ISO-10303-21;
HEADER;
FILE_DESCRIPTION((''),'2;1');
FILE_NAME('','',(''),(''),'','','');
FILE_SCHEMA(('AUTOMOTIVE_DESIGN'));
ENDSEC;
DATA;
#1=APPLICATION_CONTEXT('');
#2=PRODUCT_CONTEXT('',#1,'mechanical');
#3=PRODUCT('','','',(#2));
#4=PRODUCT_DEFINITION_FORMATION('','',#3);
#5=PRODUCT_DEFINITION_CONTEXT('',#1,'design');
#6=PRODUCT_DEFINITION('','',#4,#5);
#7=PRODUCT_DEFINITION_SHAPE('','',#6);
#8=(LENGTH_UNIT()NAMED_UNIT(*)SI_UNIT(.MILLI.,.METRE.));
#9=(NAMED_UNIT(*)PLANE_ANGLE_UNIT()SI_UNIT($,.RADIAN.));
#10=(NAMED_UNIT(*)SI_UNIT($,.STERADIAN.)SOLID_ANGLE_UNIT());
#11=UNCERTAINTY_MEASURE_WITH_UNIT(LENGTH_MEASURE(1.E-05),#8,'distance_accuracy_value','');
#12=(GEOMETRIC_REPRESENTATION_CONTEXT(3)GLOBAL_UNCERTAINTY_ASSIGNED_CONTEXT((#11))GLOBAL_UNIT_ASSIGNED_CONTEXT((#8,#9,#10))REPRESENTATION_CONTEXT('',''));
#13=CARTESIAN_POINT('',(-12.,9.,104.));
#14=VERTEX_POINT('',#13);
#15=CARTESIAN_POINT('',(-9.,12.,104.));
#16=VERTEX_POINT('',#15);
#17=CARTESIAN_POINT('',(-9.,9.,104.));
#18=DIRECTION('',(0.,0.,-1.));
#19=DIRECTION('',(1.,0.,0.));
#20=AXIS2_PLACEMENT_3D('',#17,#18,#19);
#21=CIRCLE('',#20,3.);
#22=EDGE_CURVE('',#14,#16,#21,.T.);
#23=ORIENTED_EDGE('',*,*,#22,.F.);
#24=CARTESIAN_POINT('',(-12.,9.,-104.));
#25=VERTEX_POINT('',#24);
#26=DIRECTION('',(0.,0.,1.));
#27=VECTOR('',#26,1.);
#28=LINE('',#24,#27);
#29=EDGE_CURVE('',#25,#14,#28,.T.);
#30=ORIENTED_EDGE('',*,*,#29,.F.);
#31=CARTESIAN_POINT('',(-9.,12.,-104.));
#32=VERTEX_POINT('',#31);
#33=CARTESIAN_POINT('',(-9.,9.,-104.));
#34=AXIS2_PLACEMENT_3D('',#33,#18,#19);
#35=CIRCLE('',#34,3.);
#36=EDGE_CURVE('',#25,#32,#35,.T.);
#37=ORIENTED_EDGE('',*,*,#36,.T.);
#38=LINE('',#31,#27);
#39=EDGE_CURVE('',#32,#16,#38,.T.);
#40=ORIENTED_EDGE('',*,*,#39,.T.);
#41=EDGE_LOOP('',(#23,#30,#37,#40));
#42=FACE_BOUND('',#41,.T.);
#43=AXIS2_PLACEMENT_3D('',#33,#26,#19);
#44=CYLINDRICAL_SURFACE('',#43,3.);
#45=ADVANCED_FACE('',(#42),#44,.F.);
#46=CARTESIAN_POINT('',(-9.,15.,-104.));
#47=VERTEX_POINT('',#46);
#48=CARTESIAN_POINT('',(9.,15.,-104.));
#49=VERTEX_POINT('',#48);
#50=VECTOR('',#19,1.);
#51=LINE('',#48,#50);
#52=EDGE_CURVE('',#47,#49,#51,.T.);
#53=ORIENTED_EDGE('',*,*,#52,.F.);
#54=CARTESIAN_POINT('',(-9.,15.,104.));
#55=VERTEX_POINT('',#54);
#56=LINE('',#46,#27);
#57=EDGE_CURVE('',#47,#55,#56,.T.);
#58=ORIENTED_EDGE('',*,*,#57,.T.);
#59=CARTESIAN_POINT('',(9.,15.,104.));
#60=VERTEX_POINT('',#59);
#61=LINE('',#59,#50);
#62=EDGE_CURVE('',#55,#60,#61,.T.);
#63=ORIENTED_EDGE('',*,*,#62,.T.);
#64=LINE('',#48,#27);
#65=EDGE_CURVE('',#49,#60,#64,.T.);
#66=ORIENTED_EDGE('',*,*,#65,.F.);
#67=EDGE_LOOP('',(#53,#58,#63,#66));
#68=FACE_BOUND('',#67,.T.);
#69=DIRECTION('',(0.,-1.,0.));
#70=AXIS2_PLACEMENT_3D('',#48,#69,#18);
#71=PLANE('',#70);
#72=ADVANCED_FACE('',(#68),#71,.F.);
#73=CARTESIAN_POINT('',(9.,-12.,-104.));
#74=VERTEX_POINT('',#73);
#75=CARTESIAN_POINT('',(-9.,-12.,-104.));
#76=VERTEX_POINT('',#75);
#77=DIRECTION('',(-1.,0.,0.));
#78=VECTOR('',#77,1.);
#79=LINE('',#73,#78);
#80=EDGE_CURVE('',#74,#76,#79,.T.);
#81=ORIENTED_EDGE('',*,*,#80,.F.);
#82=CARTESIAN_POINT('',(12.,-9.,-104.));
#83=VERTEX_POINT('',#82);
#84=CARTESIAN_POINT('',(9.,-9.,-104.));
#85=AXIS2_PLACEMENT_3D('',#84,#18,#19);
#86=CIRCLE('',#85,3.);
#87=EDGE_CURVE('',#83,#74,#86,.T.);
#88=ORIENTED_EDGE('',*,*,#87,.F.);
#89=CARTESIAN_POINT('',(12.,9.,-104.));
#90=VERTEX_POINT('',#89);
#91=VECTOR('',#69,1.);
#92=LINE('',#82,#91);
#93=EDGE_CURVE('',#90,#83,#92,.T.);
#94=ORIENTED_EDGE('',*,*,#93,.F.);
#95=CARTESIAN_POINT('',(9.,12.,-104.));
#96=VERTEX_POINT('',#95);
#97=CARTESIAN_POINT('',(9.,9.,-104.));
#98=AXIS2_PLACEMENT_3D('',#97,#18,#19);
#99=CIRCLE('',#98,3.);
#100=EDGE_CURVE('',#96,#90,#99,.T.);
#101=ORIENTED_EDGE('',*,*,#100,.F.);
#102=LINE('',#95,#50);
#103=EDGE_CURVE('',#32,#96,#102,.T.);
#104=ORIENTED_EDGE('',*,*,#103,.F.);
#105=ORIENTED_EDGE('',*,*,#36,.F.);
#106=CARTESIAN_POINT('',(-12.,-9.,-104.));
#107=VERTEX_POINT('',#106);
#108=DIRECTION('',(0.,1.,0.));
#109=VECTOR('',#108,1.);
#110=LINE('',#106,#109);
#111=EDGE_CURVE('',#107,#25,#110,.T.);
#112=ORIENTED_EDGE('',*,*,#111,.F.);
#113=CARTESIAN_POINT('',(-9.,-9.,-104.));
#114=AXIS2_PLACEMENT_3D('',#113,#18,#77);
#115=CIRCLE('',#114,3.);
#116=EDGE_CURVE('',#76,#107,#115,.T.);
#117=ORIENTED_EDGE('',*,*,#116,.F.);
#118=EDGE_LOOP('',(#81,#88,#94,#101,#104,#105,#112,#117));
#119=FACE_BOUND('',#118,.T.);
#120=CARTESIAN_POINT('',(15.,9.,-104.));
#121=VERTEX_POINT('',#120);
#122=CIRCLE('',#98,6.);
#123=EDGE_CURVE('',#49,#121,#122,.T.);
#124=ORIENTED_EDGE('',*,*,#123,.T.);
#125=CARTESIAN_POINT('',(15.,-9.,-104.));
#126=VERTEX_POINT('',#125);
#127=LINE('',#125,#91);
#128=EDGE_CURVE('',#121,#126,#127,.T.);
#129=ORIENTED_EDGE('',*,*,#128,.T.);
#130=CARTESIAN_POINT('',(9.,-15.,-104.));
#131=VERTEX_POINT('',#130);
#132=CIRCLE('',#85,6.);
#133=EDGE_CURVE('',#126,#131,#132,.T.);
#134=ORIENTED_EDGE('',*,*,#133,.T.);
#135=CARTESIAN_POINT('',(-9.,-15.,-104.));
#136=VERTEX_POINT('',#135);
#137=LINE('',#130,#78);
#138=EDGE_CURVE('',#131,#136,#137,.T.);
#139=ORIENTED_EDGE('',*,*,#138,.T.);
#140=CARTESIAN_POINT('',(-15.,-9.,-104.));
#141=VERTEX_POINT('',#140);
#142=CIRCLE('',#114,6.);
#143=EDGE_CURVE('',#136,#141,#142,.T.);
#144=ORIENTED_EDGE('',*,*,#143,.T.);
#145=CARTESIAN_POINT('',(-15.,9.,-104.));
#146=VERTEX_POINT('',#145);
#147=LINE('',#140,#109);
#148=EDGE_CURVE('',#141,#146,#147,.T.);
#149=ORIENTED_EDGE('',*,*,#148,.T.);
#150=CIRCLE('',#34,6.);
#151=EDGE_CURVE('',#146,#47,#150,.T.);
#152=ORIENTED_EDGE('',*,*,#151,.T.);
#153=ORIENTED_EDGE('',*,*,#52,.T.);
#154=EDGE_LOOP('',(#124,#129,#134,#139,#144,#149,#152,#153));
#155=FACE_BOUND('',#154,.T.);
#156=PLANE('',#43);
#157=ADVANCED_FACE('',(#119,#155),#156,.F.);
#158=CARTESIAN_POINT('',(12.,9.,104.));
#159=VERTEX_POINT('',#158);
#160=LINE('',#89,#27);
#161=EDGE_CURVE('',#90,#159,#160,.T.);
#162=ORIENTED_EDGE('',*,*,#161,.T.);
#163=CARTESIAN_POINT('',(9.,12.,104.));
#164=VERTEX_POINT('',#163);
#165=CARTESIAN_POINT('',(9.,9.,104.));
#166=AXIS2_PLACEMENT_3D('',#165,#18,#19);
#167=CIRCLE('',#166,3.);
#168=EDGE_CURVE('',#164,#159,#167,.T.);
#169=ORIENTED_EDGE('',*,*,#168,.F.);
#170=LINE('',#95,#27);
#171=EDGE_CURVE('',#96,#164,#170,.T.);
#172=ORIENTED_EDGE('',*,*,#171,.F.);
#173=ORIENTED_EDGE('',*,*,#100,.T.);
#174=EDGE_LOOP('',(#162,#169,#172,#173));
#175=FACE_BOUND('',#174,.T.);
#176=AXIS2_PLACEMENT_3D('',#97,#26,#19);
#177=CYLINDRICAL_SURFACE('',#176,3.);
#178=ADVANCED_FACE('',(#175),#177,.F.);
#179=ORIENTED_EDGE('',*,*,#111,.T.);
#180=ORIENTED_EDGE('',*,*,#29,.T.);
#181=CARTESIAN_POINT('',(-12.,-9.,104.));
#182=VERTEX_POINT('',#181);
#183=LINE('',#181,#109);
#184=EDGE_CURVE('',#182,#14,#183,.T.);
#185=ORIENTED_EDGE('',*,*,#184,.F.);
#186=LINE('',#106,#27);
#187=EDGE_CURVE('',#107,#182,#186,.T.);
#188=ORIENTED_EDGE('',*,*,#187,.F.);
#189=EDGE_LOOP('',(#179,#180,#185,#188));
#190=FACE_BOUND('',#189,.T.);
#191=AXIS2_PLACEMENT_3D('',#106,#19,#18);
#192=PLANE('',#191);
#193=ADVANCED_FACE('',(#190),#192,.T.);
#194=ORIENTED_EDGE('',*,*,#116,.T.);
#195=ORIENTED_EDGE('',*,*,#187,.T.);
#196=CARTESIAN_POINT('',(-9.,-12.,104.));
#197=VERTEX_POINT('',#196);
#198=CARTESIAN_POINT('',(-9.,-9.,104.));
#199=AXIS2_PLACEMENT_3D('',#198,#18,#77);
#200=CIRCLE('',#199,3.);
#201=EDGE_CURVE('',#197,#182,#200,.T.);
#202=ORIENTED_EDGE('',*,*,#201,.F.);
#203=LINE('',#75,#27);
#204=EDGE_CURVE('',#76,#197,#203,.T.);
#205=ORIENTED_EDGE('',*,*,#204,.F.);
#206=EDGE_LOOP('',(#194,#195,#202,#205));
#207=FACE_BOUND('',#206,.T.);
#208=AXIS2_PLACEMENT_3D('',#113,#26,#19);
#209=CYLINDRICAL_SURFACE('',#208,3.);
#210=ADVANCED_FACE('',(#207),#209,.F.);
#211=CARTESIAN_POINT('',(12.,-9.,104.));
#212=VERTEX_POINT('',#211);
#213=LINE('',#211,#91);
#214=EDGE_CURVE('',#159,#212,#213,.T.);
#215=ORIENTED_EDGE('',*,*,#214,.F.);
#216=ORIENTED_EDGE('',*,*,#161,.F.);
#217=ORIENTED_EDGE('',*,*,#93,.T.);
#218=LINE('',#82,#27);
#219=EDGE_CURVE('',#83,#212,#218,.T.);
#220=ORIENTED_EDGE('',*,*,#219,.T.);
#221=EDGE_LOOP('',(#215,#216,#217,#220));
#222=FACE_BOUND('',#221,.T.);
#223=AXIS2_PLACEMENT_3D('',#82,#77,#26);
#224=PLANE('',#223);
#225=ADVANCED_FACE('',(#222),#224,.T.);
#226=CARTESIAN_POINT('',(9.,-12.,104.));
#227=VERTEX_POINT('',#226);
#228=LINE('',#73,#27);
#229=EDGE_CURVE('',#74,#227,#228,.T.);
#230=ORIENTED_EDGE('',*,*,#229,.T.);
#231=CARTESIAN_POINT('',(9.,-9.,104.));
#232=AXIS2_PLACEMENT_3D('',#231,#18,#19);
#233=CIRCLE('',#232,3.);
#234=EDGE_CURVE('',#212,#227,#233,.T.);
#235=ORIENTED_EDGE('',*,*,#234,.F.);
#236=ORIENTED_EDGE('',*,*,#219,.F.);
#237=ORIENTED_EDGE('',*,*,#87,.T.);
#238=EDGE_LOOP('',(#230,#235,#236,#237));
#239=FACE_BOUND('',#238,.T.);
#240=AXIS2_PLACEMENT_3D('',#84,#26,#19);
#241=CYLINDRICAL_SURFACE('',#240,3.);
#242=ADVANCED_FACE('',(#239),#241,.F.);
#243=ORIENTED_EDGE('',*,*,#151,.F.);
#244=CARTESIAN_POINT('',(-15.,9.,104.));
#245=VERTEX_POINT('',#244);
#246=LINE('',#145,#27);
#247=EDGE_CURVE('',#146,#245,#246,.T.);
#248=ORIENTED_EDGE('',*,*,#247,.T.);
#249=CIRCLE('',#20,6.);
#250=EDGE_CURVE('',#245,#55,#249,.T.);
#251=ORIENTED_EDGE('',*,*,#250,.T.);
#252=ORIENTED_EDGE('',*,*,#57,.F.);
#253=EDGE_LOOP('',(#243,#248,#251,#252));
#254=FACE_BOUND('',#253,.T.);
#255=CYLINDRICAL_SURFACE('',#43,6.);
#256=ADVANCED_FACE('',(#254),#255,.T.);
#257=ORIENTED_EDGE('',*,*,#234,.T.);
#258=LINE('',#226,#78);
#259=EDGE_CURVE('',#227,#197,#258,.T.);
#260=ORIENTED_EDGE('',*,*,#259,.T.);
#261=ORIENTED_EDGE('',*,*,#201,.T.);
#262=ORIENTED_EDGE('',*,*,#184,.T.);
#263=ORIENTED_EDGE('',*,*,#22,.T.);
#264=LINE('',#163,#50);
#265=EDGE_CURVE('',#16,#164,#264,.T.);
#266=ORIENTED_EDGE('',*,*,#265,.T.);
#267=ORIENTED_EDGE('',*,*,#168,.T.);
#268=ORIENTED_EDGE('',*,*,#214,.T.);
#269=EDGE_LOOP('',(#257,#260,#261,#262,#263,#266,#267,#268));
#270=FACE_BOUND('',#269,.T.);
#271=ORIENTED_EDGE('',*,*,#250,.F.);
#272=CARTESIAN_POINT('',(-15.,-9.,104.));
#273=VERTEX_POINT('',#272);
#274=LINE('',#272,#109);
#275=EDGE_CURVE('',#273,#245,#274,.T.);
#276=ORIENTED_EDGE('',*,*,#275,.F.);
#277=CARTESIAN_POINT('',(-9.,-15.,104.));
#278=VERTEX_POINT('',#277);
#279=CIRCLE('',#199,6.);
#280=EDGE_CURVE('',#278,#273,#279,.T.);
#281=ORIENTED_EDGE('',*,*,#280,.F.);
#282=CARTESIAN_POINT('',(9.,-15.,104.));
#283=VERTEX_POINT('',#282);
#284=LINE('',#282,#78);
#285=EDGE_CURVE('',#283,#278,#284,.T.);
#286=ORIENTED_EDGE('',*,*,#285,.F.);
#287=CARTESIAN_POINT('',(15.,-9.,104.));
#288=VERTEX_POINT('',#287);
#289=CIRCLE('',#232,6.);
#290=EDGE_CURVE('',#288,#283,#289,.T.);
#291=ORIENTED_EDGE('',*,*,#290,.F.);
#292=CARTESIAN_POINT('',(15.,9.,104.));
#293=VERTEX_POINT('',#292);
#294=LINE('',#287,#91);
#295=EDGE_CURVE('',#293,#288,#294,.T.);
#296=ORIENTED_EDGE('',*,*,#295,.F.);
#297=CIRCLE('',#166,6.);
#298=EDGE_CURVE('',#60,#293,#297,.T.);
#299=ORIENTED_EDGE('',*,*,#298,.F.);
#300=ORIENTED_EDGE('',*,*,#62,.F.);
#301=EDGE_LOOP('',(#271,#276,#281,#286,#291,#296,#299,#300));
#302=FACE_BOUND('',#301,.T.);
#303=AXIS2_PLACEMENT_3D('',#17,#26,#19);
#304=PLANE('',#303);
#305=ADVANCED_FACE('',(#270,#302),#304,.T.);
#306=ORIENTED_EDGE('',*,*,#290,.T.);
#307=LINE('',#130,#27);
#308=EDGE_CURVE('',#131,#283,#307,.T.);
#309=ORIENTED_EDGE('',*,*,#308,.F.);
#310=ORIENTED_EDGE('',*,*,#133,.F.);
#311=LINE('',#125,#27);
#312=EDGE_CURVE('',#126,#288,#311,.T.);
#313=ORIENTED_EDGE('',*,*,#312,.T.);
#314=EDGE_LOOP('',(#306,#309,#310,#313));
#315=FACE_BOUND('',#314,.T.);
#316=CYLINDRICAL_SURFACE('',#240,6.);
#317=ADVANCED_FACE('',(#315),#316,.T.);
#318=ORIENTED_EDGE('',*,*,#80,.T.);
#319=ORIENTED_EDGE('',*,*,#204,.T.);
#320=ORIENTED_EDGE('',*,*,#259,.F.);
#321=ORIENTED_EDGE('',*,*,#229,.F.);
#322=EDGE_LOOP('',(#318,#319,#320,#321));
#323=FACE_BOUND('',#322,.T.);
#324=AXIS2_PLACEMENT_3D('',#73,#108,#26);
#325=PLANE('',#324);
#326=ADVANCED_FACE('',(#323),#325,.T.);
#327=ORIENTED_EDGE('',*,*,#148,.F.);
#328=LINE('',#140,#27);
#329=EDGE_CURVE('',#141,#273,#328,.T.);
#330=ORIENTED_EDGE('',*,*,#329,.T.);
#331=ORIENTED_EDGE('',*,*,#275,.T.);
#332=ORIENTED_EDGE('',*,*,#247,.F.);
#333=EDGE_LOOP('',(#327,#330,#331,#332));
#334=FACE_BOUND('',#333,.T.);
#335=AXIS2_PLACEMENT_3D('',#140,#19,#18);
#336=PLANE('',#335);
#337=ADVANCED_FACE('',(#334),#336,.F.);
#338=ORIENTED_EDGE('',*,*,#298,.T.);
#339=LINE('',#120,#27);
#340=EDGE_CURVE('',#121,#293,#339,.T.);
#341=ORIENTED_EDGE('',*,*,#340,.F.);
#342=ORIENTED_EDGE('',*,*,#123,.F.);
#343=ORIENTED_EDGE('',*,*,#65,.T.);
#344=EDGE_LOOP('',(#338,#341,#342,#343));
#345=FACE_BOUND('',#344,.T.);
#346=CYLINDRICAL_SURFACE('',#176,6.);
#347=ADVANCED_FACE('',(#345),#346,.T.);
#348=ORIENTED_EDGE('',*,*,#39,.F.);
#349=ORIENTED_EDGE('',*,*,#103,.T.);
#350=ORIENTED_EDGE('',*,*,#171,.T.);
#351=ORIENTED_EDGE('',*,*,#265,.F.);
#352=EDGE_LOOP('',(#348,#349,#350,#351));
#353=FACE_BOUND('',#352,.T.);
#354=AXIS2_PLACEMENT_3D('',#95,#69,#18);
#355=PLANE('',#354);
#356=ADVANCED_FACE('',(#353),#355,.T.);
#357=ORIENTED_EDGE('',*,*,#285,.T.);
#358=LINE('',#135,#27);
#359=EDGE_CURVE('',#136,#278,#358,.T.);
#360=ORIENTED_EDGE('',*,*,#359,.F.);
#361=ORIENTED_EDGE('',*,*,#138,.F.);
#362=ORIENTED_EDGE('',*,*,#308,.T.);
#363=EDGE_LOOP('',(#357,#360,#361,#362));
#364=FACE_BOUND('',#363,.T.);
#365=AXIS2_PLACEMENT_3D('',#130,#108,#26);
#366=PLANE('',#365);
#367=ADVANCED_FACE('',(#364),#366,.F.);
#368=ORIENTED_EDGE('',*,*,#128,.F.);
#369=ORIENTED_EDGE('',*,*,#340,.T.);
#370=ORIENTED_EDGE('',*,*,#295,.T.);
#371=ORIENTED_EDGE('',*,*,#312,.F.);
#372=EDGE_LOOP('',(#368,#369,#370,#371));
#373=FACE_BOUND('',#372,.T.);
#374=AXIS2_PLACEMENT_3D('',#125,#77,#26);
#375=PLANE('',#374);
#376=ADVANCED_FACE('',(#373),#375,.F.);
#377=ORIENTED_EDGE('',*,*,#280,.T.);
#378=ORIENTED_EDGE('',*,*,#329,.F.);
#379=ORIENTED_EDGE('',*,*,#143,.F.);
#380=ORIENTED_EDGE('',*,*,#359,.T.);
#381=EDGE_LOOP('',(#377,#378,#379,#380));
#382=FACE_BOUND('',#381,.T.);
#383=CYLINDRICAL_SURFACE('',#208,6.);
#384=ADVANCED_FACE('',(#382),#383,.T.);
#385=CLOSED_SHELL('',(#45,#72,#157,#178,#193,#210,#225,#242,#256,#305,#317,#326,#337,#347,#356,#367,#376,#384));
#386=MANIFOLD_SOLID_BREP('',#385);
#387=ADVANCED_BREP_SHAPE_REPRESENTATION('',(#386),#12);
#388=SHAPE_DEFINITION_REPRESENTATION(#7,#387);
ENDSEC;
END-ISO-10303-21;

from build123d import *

# Parameters (mm, degrees)
EXTRUDE_1_DEPTH = 104


with BuildPart() as part:
    # Эскиз1 → Бобышка-Вытянуть1 (new, symmetric)
    with BuildSketch(Plane(origin=(0, 0, 0), x_dir=(-1, 0, 0), z_dir=(0, 0, -1))):
        with BuildLine():
            Line((-9, -15), (9, -15))
            ThreePointArc((9, -15), (13.242640687, -13.242640687), (15, -9))
            Line((15, -9), (15, 9))
            ThreePointArc((15, 9), (13.242640687, 13.242640687), (9, 15))
            Line((9, 15), (-9, 15))
            ThreePointArc((-9, 15), (-13.242640687, 13.242640687), (-15, 9))
            Line((-15, 9), (-15, -9))
            ThreePointArc((-15, -9), (-13.242640687, -13.242640687), (-9, -15))
        make_face()
        with BuildLine():
            Line((-9, 12), (9, 12))
            ThreePointArc((9, 12), (11.121320344, 11.121320344), (12, 9))
            Line((12, 9), (12, -9))
            ThreePointArc((12, -9), (11.121320344, -11.121320344), (9, -12))
            Line((9, -12), (-9, -12))
            ThreePointArc((-9, -12), (-11.121320344, -11.121320344), (-12, -9))
            Line((-12, -9), (-12, 9))
            ThreePointArc((-12, 9), (-11.121320344, 11.121320344), (-9, 12))
        make_face(mode=Mode.SUBTRACT)
    extrude(amount=EXTRUDE_1_DEPTH, both=True)


solid = part.part
